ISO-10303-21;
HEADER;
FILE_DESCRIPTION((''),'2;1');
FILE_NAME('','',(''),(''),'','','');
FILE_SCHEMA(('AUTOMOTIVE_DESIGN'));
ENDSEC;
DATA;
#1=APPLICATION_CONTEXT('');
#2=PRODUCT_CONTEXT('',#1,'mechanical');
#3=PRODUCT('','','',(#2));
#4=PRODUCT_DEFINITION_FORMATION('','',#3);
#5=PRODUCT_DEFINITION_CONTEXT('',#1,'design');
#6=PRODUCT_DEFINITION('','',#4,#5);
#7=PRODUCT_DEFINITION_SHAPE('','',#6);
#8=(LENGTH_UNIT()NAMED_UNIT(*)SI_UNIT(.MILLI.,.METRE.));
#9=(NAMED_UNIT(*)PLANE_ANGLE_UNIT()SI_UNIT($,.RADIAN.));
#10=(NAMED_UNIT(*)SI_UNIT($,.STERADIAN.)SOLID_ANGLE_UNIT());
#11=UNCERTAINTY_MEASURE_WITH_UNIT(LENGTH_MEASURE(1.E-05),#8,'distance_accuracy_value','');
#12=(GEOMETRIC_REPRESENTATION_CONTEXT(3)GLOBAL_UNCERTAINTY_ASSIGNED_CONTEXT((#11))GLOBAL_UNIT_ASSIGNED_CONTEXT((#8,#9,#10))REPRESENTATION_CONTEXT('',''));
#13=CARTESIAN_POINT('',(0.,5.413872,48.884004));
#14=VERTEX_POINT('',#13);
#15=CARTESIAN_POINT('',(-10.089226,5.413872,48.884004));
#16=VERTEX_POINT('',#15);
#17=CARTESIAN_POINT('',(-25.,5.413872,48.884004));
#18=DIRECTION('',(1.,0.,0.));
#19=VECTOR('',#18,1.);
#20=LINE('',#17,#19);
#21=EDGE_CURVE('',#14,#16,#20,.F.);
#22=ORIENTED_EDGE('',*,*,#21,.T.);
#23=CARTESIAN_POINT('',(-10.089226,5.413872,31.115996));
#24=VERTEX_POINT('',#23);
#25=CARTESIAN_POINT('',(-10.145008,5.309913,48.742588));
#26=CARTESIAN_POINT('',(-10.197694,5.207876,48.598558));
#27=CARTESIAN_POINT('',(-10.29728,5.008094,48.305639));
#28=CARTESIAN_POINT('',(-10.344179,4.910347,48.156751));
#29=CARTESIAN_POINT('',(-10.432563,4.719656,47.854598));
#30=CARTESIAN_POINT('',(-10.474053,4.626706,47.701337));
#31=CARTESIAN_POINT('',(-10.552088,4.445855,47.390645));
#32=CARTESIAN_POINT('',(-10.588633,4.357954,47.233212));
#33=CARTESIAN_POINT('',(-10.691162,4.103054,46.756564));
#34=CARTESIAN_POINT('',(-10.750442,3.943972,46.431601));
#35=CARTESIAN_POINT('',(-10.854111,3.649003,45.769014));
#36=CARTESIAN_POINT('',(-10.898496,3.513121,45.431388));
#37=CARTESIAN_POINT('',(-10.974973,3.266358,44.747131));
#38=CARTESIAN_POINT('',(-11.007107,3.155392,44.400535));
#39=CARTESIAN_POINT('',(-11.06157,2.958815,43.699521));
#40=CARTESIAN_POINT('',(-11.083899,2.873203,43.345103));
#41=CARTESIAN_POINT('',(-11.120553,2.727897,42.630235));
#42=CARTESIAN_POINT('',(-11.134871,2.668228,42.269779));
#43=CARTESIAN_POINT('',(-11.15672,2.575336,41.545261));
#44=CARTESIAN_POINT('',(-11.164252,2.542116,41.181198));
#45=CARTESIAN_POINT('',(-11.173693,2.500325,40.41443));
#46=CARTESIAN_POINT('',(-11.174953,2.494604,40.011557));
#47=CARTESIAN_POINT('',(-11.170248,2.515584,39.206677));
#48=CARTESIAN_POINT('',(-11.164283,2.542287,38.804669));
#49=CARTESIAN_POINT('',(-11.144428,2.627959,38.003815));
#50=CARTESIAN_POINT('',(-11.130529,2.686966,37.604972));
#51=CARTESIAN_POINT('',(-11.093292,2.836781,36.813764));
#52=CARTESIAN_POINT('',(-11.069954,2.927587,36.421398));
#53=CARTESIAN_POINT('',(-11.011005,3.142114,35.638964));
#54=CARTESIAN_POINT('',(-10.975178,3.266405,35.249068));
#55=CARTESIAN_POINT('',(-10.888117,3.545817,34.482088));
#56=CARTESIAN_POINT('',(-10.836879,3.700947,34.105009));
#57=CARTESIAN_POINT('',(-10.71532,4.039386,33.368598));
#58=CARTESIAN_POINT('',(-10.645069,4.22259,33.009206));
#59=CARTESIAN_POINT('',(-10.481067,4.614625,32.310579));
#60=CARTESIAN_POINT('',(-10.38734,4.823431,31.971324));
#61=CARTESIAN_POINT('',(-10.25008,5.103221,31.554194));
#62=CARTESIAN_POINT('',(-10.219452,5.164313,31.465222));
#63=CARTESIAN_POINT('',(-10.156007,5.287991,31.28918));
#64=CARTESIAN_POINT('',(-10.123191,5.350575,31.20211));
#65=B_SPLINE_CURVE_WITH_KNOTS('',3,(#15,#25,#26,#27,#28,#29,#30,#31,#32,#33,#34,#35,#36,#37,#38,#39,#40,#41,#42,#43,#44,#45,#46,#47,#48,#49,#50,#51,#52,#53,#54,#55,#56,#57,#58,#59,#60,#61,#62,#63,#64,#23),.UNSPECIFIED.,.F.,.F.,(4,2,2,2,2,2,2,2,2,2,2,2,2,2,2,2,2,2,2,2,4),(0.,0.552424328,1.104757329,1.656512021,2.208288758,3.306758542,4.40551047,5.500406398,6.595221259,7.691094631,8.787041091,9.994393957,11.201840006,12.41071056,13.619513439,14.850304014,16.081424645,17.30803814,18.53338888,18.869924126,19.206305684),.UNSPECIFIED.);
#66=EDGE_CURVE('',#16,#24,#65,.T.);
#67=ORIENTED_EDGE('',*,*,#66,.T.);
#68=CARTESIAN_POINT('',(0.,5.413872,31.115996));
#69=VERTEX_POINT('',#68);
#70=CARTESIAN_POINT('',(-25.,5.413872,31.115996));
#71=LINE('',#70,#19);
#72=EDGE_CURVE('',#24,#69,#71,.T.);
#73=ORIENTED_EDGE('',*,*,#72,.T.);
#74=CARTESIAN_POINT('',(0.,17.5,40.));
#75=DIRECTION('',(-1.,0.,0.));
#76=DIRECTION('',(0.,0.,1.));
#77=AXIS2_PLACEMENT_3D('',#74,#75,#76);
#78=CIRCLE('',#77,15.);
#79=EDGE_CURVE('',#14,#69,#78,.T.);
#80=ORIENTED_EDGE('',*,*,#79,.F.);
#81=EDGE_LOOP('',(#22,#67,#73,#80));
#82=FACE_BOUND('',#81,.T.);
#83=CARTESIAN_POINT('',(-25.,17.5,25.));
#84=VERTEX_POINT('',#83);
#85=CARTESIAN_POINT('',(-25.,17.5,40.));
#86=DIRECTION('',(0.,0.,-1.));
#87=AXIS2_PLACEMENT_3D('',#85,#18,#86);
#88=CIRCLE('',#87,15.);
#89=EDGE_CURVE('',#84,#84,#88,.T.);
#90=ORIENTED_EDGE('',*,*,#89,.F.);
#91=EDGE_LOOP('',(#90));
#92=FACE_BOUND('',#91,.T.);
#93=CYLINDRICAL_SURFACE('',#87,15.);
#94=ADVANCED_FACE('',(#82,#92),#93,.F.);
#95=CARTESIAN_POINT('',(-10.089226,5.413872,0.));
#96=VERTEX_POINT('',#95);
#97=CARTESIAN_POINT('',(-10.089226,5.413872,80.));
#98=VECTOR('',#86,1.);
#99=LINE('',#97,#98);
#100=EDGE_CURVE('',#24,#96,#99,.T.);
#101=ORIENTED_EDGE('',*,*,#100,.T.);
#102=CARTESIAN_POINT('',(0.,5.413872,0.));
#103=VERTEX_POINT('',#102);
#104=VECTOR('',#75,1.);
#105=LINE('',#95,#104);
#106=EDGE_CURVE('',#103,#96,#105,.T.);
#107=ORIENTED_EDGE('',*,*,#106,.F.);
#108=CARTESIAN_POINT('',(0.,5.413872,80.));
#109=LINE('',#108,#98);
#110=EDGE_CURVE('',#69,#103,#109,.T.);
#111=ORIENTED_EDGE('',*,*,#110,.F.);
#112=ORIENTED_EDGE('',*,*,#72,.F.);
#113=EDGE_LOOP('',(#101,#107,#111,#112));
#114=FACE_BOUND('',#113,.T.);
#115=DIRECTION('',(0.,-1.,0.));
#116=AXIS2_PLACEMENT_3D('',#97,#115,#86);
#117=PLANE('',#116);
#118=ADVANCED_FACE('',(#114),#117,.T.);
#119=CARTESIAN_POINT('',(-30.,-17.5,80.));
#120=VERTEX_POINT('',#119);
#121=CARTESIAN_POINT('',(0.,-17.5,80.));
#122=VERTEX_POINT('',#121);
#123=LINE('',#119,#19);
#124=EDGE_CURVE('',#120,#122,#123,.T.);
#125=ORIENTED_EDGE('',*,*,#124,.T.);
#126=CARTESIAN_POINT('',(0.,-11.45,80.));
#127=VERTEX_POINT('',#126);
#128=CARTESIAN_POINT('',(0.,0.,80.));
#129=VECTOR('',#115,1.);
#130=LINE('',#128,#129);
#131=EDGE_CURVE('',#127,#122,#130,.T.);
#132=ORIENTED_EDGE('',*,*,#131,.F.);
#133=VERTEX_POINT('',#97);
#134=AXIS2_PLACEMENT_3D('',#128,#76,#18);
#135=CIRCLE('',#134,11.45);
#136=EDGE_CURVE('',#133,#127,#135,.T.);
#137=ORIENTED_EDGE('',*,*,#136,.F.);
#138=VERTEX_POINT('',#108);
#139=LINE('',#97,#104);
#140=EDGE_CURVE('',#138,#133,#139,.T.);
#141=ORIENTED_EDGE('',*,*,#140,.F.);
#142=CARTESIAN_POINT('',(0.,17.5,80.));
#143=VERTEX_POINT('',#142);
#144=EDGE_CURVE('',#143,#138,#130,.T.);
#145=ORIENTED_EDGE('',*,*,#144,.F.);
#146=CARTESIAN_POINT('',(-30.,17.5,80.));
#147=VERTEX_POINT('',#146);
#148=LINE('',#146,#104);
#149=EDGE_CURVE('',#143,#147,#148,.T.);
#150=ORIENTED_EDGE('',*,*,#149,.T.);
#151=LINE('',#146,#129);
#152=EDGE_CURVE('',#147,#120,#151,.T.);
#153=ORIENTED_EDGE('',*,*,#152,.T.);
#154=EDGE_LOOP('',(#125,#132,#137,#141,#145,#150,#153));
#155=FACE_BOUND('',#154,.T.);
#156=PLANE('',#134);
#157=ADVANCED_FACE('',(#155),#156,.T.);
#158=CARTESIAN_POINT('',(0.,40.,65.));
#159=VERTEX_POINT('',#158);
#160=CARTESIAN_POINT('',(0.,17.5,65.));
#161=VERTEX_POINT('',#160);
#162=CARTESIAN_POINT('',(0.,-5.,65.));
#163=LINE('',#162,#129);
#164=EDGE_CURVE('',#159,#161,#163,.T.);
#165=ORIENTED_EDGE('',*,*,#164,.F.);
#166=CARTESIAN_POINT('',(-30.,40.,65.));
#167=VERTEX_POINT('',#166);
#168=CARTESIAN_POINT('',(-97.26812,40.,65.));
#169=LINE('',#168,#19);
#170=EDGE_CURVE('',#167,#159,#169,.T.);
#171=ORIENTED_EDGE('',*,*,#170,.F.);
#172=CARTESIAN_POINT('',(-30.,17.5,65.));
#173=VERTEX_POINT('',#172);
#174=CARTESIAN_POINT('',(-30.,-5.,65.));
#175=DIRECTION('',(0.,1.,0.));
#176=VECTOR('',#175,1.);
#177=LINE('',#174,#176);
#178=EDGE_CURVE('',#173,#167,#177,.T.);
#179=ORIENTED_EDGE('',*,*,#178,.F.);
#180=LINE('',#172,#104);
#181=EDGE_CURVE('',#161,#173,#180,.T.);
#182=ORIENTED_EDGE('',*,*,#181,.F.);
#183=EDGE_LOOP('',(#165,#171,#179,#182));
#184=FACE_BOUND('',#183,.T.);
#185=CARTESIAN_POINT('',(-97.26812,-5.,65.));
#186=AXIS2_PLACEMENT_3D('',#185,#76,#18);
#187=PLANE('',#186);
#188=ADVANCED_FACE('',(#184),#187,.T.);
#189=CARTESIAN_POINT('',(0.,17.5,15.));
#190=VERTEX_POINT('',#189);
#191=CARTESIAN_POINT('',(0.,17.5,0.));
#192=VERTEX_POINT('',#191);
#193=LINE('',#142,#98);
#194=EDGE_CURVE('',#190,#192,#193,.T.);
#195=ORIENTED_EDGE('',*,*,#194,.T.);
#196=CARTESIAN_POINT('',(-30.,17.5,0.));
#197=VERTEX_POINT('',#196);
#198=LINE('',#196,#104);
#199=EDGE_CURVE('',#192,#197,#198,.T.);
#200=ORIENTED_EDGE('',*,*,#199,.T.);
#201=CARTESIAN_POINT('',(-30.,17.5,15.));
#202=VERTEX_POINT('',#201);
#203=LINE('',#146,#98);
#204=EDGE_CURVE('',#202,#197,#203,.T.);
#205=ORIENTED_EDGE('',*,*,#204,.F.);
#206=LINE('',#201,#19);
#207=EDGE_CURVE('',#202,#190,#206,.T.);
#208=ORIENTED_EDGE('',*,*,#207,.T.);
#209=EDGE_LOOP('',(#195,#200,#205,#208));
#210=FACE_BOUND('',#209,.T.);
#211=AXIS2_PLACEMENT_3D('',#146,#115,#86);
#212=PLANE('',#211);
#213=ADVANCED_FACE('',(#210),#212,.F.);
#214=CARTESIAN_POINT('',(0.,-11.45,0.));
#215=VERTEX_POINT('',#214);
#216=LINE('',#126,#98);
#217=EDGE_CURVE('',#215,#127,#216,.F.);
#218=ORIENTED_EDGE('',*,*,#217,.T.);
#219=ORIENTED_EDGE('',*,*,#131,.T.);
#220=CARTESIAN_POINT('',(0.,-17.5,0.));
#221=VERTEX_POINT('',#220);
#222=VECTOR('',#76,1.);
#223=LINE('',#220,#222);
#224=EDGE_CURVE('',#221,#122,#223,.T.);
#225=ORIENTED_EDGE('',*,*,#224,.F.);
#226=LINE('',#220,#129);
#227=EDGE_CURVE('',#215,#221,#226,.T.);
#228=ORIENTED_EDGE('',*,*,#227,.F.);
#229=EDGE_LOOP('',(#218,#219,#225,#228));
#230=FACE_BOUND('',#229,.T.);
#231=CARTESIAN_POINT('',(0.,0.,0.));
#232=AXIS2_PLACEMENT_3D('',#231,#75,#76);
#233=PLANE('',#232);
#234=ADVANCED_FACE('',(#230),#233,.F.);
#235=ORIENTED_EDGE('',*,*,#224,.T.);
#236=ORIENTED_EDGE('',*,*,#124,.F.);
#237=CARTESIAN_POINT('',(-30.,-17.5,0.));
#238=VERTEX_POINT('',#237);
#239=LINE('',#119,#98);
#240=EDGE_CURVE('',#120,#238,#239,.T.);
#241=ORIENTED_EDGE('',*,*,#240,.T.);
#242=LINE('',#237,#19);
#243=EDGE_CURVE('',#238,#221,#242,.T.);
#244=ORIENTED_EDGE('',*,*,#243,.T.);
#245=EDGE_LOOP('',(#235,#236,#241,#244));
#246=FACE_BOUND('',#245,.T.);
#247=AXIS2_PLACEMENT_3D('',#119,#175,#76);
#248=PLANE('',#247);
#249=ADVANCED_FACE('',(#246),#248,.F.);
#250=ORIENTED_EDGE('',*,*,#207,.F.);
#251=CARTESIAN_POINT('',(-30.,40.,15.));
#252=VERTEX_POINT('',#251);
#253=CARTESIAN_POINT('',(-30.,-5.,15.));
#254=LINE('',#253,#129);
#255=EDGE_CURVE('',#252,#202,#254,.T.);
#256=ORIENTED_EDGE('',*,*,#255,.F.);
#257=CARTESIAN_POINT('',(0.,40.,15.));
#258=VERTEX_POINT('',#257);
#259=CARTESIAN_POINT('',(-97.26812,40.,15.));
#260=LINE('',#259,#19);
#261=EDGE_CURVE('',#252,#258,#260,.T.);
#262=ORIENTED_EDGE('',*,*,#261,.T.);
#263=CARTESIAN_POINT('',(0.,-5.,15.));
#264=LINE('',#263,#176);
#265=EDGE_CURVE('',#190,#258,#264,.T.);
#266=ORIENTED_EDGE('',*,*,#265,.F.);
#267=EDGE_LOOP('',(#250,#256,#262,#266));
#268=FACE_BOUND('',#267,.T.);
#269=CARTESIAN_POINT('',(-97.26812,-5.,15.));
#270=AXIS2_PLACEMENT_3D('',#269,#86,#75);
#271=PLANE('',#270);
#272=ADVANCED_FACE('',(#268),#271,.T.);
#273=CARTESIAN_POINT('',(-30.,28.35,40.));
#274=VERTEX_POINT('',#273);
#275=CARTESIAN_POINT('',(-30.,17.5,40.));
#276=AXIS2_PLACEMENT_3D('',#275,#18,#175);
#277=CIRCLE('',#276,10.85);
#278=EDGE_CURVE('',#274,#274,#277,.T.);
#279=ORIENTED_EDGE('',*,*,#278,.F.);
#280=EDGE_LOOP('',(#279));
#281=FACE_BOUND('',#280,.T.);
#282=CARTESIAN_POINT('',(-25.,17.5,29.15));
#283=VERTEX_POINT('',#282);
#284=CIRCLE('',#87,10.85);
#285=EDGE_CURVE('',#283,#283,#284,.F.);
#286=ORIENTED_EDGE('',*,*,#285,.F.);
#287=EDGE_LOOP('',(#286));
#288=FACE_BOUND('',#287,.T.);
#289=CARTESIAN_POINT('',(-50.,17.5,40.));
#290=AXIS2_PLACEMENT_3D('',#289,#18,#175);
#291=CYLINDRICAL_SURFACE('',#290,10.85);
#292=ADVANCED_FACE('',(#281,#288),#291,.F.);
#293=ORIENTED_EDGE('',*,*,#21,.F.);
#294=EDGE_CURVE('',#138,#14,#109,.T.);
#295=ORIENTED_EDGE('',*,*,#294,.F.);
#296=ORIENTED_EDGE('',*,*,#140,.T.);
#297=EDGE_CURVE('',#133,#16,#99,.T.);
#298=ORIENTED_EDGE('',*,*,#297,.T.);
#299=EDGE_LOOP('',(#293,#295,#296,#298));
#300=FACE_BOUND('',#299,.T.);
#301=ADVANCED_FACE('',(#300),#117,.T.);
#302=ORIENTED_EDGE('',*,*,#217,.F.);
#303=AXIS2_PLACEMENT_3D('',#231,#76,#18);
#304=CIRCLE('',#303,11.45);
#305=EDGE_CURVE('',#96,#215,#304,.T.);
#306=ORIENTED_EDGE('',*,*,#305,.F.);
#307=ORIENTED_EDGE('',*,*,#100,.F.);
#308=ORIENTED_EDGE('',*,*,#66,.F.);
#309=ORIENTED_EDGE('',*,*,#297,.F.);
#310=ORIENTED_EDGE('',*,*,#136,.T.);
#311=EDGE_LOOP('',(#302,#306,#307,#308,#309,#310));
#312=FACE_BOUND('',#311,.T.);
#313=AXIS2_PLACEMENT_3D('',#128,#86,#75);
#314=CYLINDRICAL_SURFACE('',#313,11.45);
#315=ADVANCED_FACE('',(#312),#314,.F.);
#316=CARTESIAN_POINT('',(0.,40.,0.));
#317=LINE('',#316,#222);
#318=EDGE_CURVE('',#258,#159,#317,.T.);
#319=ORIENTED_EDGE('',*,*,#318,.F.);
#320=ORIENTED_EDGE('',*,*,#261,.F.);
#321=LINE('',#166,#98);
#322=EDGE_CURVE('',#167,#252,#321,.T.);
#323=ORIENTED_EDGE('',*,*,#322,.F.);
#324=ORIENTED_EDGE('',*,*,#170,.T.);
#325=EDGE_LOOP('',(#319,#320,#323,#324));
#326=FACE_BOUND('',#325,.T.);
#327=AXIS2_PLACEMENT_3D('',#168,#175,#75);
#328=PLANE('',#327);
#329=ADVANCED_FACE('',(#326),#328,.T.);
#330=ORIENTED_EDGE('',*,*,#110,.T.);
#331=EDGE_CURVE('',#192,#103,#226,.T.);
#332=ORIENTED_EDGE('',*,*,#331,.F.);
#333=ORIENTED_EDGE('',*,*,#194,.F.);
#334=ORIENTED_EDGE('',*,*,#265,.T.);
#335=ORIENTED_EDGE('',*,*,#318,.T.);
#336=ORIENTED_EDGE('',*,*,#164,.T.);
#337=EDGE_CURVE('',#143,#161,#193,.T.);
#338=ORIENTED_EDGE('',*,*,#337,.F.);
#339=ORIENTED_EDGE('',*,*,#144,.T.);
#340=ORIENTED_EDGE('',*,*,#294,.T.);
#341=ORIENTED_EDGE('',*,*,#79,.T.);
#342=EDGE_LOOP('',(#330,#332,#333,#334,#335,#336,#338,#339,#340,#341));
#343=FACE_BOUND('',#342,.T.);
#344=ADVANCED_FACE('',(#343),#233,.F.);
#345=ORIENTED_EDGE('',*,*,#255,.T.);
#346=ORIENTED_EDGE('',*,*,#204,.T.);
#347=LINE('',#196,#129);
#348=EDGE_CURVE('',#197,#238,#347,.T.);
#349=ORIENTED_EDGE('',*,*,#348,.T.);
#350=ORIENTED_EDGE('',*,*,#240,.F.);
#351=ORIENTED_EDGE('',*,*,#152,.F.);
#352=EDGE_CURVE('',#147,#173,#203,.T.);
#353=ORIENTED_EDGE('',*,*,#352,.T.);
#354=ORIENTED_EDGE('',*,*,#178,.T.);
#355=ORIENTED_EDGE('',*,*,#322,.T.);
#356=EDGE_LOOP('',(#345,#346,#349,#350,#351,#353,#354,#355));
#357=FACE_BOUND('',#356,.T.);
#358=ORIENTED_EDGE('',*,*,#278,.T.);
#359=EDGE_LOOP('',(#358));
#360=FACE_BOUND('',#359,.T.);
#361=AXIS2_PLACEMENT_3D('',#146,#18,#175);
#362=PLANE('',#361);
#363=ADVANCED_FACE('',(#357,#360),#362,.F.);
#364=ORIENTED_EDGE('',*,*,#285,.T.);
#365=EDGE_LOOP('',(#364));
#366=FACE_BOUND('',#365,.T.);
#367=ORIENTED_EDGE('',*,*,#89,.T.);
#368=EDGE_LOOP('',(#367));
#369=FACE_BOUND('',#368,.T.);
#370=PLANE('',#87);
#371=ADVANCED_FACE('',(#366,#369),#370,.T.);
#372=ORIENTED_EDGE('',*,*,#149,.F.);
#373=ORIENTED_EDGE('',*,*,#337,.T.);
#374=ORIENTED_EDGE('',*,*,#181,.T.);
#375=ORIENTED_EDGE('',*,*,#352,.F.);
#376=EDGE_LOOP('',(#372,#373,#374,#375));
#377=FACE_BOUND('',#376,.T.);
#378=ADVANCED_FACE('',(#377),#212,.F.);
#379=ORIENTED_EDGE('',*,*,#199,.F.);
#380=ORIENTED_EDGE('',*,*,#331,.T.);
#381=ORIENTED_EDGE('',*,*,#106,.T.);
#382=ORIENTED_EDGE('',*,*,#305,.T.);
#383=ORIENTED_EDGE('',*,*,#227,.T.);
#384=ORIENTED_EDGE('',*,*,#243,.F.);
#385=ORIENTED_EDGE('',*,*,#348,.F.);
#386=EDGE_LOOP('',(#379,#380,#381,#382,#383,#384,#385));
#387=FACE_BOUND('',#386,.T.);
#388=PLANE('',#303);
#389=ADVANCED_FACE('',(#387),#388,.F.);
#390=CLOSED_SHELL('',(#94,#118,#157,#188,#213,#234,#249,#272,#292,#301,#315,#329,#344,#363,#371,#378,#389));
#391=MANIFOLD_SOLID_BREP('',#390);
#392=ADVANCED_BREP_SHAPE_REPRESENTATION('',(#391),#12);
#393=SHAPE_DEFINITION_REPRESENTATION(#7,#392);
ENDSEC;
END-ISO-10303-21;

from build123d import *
from build123d.topology import SkipClean

# Parameters (mm, degrees)
SKETCH2_W           = 60
SKETCH2_H           = 35
BOSS_EXTRUDE1_DEPTH = 80
BOSS_EXTRUDE2_REACH = 103.52
SKETCH3_W           = 50
SKETCH3_H           = 45
SKETCH3_R           = 5
SKETCH4_R           = 10.85
CUT_EXTRUDE1_DEPTH  = 80
CUT_EXTRUDE2_START  = -80
CUT_EXTRUDE2_DEPTH  = 80
CUT_EXTRUDE3_DEPTH  = 80
SKETCH8_R           = 15
CUT_EXTRUDE5_DEPTH  = 25


with BuildPart() as part:
    # Sketch2 → Boss-Extrude1 (new body)
    with BuildSketch(Plane.XY):
        Rectangle(SKETCH2_W, SKETCH2_H)
        with BuildLine():
            Line((-10.089226223, 5.413872387), (10.089226223, 5.413872387))
            ThreePointArc((10.089226223, 5.413872387), (0, -11.45), (-10.089226223, 5.413872387))
        make_face(mode=Mode.SUBTRACT)
    extrude(amount=BOSS_EXTRUDE1_DEPTH)

    # Boss-Extrude2: up to this face of the body (flat: up to its plane)
    boss_extrude2_end = Plane(part.part.faces().sort_by_distance((-30, 0, 40))[0])
    # Sketch3 → Boss-Extrude2 (add, up to the picked face)
    with BuildSketch(Plane(origin=(30, 0, 0), x_dir=(0, 0, -1), z_dir=(1, 0, 0)), mode=Mode.PRIVATE) as boss_extrude2_sk1:
        with Locations((-40, 17.5)):
            Rectangle(SKETCH3_W, SKETCH3_H)
        with Locations((-40, 17.5)):
            Circle(SKETCH3_R, mode=Mode.SUBTRACT)
    boss_extrude2_tool1 = split(extrude(boss_extrude2_sk1.sketch, amount=-BOSS_EXTRUDE2_REACH, mode=Mode.PRIVATE), bisect_by=boss_extrude2_end, keep=Keep.BOTH, mode=Mode.PRIVATE)
    add(boss_extrude2_tool1.solids().sort_by(Axis((30, -4.327319, 40), (-1, 0, 0)))[0])

    # Sketch4 → Cut-Extrude1 (cut)
    with BuildSketch(Plane(origin=(30, 0, 0), x_dir=(0, 0, -1), z_dir=(1, 0, 0))):
        with Locations(Location((-40, 17.5, 0), (0, 0, 90))):
            Circle(SKETCH4_R)
    extrude(amount=-CUT_EXTRUDE1_DEPTH, mode=Mode.SUBTRACT)

    # Sketch5 → Cut-Extrude2 (cut)
    with SkipClean():  # the faces are left unmerged after this step: merging them gives an invalid solid
        with BuildSketch(Plane.XY.offset(80).offset(CUT_EXTRUDE2_START)):
            with BuildLine():
                Line((-10.300606778, -5), (10.300606778, -5))
                ThreePointArc((10.300606778, -5), (11.447641983, 0.232363988), (10.089226223, 5.413872387))
                Line((10.089226223, 5.413872387), (-10.089226223, 5.413872387))
                ThreePointArc((-10.089226223, 5.413872387), (-11.447641983, 0.232363988), (-10.300606778, -5))
            make_face()
        extrude(amount=CUT_EXTRUDE2_DEPTH, mode=Mode.SUBTRACT)

    # Sketch6 → Cut-Extrude3 (cut)
    with SkipClean():  # the faces are left unmerged after this step: merging them gives an invalid solid
        with BuildSketch(Plane.XY.offset(80)):
            Polygon((0, 0), (0, 40), (30, 40), (30, -17.5), (0, -17.5), align=None)
        extrude(amount=-CUT_EXTRUDE3_DEPTH, mode=Mode.SUBTRACT)

    # Sketch8 → Cut-Extrude5 (cut)
    with SkipClean():  # the faces are left unmerged after this step: merging them gives an invalid solid
        with BuildSketch(Plane(origin=(0, 0, 0), x_dir=(0, 0, -1), z_dir=(1, 0, 0))):
            with Locations((-40, 17.5)):
                Circle(SKETCH8_R)
        extrude(amount=-CUT_EXTRUDE5_DEPTH, mode=Mode.SUBTRACT)


solid = part.part
